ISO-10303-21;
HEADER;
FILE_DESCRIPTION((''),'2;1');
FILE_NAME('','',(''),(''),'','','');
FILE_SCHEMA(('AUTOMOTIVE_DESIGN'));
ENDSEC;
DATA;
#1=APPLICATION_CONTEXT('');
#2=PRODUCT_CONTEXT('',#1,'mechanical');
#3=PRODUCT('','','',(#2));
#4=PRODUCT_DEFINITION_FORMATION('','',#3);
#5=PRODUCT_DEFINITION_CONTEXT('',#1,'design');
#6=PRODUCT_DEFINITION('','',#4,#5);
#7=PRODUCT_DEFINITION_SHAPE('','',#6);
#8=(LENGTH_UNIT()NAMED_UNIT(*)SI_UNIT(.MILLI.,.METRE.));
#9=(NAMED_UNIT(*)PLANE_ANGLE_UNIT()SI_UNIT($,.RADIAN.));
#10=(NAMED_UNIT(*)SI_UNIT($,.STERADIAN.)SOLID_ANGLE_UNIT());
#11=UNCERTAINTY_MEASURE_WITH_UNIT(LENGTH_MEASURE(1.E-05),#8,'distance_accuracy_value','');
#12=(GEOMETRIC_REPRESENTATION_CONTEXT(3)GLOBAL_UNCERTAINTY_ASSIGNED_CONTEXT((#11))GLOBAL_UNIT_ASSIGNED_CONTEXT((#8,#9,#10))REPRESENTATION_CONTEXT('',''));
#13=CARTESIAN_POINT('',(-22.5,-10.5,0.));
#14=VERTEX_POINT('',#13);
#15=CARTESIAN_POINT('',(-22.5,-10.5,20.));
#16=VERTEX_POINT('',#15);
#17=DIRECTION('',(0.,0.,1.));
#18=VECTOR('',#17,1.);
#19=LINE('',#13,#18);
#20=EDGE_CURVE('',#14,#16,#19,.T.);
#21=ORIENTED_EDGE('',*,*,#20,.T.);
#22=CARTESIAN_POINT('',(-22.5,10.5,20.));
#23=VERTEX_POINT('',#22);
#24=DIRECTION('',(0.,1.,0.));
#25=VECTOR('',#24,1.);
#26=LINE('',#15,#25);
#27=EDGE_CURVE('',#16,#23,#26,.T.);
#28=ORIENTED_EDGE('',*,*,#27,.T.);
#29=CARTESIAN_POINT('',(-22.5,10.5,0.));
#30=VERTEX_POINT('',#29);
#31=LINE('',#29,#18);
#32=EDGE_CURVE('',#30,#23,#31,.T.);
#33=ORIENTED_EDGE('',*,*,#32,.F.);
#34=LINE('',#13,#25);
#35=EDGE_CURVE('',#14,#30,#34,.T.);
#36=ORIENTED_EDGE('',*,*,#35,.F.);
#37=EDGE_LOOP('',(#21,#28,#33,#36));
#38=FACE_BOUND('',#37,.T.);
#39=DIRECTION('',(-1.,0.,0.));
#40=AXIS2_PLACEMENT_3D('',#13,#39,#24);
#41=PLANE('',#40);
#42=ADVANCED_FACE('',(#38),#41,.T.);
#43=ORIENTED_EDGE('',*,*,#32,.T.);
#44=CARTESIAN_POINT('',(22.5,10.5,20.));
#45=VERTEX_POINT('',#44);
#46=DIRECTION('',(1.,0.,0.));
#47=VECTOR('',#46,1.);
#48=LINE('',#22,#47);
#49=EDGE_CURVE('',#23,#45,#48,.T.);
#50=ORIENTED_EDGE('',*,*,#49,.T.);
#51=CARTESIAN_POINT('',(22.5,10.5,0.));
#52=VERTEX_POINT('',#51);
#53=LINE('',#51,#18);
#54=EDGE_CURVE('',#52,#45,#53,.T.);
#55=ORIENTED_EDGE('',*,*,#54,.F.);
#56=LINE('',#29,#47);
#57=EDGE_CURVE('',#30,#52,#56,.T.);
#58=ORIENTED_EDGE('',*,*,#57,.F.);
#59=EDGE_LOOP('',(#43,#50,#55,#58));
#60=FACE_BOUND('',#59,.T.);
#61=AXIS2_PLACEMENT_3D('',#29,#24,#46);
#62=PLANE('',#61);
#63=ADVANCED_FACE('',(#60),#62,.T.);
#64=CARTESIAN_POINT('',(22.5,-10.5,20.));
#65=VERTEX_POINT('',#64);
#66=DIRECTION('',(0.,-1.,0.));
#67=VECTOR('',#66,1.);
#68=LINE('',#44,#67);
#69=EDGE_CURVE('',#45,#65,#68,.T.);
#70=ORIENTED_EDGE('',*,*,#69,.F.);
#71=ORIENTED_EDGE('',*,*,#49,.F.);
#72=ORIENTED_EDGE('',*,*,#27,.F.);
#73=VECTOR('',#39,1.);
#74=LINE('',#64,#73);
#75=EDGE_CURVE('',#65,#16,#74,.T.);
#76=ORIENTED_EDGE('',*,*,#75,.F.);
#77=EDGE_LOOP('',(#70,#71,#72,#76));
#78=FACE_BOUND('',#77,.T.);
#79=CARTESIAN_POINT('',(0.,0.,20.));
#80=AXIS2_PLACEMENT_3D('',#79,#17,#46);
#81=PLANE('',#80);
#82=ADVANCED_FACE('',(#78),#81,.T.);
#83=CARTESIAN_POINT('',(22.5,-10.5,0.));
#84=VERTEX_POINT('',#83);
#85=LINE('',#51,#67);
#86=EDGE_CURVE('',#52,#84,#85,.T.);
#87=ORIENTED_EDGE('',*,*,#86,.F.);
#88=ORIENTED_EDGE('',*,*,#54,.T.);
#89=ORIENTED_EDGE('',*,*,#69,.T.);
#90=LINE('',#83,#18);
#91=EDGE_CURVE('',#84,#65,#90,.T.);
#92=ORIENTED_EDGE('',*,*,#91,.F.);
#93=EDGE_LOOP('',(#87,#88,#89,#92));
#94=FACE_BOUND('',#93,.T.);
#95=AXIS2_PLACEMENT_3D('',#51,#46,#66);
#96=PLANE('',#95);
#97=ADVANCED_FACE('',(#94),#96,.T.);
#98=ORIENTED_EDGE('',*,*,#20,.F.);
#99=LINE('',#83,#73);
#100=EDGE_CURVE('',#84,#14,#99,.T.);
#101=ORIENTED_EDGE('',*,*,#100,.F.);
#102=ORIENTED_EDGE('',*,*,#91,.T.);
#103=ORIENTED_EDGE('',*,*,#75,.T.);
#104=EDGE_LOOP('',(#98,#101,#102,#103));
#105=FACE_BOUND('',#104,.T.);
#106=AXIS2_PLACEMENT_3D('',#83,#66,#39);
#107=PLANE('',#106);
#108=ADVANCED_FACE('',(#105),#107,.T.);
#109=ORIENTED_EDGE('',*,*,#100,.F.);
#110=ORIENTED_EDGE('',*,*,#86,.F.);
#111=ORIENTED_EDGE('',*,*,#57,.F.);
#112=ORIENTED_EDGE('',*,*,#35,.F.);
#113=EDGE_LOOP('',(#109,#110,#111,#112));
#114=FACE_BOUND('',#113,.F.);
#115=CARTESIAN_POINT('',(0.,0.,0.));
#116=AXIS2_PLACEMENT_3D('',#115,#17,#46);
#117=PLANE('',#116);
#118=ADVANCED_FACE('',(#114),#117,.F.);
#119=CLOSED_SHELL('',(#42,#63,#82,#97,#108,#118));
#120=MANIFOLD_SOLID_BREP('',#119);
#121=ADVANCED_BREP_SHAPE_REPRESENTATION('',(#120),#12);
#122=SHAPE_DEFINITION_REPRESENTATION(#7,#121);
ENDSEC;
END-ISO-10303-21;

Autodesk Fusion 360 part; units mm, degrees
sketch "Sketch1" plane through (0, 0, 0) normal (0, 0, 1) x (1, 0, 0) in component "5A regulator"
  line L0 (-22.5, 10.5) -> (22.5, 10.5)
  line L1 (22.5, 10.5) -> (22.5, -10.5)
  line L2 (22.5, -10.5) -> (-22.5, -10.5)
  line L3 (-22.5, -10.5) -> (-22.5, 10.5)
  line L4 (0, 10.5) -> (0, -10.5) construction
  line L5 (-22.5, 0) -> (22.5, 0) construction
  dimension "d5_1" = 21
  dimension "d6_1" = 45
extrude "Extrude1" add sketch "Sketch1" along normal blind 20 in component "5A regulator"
component "5A regulator" placed x (1, 0, 0) y (0, 1, 0) z (0, 0, 1) at (0, 0, 0)
